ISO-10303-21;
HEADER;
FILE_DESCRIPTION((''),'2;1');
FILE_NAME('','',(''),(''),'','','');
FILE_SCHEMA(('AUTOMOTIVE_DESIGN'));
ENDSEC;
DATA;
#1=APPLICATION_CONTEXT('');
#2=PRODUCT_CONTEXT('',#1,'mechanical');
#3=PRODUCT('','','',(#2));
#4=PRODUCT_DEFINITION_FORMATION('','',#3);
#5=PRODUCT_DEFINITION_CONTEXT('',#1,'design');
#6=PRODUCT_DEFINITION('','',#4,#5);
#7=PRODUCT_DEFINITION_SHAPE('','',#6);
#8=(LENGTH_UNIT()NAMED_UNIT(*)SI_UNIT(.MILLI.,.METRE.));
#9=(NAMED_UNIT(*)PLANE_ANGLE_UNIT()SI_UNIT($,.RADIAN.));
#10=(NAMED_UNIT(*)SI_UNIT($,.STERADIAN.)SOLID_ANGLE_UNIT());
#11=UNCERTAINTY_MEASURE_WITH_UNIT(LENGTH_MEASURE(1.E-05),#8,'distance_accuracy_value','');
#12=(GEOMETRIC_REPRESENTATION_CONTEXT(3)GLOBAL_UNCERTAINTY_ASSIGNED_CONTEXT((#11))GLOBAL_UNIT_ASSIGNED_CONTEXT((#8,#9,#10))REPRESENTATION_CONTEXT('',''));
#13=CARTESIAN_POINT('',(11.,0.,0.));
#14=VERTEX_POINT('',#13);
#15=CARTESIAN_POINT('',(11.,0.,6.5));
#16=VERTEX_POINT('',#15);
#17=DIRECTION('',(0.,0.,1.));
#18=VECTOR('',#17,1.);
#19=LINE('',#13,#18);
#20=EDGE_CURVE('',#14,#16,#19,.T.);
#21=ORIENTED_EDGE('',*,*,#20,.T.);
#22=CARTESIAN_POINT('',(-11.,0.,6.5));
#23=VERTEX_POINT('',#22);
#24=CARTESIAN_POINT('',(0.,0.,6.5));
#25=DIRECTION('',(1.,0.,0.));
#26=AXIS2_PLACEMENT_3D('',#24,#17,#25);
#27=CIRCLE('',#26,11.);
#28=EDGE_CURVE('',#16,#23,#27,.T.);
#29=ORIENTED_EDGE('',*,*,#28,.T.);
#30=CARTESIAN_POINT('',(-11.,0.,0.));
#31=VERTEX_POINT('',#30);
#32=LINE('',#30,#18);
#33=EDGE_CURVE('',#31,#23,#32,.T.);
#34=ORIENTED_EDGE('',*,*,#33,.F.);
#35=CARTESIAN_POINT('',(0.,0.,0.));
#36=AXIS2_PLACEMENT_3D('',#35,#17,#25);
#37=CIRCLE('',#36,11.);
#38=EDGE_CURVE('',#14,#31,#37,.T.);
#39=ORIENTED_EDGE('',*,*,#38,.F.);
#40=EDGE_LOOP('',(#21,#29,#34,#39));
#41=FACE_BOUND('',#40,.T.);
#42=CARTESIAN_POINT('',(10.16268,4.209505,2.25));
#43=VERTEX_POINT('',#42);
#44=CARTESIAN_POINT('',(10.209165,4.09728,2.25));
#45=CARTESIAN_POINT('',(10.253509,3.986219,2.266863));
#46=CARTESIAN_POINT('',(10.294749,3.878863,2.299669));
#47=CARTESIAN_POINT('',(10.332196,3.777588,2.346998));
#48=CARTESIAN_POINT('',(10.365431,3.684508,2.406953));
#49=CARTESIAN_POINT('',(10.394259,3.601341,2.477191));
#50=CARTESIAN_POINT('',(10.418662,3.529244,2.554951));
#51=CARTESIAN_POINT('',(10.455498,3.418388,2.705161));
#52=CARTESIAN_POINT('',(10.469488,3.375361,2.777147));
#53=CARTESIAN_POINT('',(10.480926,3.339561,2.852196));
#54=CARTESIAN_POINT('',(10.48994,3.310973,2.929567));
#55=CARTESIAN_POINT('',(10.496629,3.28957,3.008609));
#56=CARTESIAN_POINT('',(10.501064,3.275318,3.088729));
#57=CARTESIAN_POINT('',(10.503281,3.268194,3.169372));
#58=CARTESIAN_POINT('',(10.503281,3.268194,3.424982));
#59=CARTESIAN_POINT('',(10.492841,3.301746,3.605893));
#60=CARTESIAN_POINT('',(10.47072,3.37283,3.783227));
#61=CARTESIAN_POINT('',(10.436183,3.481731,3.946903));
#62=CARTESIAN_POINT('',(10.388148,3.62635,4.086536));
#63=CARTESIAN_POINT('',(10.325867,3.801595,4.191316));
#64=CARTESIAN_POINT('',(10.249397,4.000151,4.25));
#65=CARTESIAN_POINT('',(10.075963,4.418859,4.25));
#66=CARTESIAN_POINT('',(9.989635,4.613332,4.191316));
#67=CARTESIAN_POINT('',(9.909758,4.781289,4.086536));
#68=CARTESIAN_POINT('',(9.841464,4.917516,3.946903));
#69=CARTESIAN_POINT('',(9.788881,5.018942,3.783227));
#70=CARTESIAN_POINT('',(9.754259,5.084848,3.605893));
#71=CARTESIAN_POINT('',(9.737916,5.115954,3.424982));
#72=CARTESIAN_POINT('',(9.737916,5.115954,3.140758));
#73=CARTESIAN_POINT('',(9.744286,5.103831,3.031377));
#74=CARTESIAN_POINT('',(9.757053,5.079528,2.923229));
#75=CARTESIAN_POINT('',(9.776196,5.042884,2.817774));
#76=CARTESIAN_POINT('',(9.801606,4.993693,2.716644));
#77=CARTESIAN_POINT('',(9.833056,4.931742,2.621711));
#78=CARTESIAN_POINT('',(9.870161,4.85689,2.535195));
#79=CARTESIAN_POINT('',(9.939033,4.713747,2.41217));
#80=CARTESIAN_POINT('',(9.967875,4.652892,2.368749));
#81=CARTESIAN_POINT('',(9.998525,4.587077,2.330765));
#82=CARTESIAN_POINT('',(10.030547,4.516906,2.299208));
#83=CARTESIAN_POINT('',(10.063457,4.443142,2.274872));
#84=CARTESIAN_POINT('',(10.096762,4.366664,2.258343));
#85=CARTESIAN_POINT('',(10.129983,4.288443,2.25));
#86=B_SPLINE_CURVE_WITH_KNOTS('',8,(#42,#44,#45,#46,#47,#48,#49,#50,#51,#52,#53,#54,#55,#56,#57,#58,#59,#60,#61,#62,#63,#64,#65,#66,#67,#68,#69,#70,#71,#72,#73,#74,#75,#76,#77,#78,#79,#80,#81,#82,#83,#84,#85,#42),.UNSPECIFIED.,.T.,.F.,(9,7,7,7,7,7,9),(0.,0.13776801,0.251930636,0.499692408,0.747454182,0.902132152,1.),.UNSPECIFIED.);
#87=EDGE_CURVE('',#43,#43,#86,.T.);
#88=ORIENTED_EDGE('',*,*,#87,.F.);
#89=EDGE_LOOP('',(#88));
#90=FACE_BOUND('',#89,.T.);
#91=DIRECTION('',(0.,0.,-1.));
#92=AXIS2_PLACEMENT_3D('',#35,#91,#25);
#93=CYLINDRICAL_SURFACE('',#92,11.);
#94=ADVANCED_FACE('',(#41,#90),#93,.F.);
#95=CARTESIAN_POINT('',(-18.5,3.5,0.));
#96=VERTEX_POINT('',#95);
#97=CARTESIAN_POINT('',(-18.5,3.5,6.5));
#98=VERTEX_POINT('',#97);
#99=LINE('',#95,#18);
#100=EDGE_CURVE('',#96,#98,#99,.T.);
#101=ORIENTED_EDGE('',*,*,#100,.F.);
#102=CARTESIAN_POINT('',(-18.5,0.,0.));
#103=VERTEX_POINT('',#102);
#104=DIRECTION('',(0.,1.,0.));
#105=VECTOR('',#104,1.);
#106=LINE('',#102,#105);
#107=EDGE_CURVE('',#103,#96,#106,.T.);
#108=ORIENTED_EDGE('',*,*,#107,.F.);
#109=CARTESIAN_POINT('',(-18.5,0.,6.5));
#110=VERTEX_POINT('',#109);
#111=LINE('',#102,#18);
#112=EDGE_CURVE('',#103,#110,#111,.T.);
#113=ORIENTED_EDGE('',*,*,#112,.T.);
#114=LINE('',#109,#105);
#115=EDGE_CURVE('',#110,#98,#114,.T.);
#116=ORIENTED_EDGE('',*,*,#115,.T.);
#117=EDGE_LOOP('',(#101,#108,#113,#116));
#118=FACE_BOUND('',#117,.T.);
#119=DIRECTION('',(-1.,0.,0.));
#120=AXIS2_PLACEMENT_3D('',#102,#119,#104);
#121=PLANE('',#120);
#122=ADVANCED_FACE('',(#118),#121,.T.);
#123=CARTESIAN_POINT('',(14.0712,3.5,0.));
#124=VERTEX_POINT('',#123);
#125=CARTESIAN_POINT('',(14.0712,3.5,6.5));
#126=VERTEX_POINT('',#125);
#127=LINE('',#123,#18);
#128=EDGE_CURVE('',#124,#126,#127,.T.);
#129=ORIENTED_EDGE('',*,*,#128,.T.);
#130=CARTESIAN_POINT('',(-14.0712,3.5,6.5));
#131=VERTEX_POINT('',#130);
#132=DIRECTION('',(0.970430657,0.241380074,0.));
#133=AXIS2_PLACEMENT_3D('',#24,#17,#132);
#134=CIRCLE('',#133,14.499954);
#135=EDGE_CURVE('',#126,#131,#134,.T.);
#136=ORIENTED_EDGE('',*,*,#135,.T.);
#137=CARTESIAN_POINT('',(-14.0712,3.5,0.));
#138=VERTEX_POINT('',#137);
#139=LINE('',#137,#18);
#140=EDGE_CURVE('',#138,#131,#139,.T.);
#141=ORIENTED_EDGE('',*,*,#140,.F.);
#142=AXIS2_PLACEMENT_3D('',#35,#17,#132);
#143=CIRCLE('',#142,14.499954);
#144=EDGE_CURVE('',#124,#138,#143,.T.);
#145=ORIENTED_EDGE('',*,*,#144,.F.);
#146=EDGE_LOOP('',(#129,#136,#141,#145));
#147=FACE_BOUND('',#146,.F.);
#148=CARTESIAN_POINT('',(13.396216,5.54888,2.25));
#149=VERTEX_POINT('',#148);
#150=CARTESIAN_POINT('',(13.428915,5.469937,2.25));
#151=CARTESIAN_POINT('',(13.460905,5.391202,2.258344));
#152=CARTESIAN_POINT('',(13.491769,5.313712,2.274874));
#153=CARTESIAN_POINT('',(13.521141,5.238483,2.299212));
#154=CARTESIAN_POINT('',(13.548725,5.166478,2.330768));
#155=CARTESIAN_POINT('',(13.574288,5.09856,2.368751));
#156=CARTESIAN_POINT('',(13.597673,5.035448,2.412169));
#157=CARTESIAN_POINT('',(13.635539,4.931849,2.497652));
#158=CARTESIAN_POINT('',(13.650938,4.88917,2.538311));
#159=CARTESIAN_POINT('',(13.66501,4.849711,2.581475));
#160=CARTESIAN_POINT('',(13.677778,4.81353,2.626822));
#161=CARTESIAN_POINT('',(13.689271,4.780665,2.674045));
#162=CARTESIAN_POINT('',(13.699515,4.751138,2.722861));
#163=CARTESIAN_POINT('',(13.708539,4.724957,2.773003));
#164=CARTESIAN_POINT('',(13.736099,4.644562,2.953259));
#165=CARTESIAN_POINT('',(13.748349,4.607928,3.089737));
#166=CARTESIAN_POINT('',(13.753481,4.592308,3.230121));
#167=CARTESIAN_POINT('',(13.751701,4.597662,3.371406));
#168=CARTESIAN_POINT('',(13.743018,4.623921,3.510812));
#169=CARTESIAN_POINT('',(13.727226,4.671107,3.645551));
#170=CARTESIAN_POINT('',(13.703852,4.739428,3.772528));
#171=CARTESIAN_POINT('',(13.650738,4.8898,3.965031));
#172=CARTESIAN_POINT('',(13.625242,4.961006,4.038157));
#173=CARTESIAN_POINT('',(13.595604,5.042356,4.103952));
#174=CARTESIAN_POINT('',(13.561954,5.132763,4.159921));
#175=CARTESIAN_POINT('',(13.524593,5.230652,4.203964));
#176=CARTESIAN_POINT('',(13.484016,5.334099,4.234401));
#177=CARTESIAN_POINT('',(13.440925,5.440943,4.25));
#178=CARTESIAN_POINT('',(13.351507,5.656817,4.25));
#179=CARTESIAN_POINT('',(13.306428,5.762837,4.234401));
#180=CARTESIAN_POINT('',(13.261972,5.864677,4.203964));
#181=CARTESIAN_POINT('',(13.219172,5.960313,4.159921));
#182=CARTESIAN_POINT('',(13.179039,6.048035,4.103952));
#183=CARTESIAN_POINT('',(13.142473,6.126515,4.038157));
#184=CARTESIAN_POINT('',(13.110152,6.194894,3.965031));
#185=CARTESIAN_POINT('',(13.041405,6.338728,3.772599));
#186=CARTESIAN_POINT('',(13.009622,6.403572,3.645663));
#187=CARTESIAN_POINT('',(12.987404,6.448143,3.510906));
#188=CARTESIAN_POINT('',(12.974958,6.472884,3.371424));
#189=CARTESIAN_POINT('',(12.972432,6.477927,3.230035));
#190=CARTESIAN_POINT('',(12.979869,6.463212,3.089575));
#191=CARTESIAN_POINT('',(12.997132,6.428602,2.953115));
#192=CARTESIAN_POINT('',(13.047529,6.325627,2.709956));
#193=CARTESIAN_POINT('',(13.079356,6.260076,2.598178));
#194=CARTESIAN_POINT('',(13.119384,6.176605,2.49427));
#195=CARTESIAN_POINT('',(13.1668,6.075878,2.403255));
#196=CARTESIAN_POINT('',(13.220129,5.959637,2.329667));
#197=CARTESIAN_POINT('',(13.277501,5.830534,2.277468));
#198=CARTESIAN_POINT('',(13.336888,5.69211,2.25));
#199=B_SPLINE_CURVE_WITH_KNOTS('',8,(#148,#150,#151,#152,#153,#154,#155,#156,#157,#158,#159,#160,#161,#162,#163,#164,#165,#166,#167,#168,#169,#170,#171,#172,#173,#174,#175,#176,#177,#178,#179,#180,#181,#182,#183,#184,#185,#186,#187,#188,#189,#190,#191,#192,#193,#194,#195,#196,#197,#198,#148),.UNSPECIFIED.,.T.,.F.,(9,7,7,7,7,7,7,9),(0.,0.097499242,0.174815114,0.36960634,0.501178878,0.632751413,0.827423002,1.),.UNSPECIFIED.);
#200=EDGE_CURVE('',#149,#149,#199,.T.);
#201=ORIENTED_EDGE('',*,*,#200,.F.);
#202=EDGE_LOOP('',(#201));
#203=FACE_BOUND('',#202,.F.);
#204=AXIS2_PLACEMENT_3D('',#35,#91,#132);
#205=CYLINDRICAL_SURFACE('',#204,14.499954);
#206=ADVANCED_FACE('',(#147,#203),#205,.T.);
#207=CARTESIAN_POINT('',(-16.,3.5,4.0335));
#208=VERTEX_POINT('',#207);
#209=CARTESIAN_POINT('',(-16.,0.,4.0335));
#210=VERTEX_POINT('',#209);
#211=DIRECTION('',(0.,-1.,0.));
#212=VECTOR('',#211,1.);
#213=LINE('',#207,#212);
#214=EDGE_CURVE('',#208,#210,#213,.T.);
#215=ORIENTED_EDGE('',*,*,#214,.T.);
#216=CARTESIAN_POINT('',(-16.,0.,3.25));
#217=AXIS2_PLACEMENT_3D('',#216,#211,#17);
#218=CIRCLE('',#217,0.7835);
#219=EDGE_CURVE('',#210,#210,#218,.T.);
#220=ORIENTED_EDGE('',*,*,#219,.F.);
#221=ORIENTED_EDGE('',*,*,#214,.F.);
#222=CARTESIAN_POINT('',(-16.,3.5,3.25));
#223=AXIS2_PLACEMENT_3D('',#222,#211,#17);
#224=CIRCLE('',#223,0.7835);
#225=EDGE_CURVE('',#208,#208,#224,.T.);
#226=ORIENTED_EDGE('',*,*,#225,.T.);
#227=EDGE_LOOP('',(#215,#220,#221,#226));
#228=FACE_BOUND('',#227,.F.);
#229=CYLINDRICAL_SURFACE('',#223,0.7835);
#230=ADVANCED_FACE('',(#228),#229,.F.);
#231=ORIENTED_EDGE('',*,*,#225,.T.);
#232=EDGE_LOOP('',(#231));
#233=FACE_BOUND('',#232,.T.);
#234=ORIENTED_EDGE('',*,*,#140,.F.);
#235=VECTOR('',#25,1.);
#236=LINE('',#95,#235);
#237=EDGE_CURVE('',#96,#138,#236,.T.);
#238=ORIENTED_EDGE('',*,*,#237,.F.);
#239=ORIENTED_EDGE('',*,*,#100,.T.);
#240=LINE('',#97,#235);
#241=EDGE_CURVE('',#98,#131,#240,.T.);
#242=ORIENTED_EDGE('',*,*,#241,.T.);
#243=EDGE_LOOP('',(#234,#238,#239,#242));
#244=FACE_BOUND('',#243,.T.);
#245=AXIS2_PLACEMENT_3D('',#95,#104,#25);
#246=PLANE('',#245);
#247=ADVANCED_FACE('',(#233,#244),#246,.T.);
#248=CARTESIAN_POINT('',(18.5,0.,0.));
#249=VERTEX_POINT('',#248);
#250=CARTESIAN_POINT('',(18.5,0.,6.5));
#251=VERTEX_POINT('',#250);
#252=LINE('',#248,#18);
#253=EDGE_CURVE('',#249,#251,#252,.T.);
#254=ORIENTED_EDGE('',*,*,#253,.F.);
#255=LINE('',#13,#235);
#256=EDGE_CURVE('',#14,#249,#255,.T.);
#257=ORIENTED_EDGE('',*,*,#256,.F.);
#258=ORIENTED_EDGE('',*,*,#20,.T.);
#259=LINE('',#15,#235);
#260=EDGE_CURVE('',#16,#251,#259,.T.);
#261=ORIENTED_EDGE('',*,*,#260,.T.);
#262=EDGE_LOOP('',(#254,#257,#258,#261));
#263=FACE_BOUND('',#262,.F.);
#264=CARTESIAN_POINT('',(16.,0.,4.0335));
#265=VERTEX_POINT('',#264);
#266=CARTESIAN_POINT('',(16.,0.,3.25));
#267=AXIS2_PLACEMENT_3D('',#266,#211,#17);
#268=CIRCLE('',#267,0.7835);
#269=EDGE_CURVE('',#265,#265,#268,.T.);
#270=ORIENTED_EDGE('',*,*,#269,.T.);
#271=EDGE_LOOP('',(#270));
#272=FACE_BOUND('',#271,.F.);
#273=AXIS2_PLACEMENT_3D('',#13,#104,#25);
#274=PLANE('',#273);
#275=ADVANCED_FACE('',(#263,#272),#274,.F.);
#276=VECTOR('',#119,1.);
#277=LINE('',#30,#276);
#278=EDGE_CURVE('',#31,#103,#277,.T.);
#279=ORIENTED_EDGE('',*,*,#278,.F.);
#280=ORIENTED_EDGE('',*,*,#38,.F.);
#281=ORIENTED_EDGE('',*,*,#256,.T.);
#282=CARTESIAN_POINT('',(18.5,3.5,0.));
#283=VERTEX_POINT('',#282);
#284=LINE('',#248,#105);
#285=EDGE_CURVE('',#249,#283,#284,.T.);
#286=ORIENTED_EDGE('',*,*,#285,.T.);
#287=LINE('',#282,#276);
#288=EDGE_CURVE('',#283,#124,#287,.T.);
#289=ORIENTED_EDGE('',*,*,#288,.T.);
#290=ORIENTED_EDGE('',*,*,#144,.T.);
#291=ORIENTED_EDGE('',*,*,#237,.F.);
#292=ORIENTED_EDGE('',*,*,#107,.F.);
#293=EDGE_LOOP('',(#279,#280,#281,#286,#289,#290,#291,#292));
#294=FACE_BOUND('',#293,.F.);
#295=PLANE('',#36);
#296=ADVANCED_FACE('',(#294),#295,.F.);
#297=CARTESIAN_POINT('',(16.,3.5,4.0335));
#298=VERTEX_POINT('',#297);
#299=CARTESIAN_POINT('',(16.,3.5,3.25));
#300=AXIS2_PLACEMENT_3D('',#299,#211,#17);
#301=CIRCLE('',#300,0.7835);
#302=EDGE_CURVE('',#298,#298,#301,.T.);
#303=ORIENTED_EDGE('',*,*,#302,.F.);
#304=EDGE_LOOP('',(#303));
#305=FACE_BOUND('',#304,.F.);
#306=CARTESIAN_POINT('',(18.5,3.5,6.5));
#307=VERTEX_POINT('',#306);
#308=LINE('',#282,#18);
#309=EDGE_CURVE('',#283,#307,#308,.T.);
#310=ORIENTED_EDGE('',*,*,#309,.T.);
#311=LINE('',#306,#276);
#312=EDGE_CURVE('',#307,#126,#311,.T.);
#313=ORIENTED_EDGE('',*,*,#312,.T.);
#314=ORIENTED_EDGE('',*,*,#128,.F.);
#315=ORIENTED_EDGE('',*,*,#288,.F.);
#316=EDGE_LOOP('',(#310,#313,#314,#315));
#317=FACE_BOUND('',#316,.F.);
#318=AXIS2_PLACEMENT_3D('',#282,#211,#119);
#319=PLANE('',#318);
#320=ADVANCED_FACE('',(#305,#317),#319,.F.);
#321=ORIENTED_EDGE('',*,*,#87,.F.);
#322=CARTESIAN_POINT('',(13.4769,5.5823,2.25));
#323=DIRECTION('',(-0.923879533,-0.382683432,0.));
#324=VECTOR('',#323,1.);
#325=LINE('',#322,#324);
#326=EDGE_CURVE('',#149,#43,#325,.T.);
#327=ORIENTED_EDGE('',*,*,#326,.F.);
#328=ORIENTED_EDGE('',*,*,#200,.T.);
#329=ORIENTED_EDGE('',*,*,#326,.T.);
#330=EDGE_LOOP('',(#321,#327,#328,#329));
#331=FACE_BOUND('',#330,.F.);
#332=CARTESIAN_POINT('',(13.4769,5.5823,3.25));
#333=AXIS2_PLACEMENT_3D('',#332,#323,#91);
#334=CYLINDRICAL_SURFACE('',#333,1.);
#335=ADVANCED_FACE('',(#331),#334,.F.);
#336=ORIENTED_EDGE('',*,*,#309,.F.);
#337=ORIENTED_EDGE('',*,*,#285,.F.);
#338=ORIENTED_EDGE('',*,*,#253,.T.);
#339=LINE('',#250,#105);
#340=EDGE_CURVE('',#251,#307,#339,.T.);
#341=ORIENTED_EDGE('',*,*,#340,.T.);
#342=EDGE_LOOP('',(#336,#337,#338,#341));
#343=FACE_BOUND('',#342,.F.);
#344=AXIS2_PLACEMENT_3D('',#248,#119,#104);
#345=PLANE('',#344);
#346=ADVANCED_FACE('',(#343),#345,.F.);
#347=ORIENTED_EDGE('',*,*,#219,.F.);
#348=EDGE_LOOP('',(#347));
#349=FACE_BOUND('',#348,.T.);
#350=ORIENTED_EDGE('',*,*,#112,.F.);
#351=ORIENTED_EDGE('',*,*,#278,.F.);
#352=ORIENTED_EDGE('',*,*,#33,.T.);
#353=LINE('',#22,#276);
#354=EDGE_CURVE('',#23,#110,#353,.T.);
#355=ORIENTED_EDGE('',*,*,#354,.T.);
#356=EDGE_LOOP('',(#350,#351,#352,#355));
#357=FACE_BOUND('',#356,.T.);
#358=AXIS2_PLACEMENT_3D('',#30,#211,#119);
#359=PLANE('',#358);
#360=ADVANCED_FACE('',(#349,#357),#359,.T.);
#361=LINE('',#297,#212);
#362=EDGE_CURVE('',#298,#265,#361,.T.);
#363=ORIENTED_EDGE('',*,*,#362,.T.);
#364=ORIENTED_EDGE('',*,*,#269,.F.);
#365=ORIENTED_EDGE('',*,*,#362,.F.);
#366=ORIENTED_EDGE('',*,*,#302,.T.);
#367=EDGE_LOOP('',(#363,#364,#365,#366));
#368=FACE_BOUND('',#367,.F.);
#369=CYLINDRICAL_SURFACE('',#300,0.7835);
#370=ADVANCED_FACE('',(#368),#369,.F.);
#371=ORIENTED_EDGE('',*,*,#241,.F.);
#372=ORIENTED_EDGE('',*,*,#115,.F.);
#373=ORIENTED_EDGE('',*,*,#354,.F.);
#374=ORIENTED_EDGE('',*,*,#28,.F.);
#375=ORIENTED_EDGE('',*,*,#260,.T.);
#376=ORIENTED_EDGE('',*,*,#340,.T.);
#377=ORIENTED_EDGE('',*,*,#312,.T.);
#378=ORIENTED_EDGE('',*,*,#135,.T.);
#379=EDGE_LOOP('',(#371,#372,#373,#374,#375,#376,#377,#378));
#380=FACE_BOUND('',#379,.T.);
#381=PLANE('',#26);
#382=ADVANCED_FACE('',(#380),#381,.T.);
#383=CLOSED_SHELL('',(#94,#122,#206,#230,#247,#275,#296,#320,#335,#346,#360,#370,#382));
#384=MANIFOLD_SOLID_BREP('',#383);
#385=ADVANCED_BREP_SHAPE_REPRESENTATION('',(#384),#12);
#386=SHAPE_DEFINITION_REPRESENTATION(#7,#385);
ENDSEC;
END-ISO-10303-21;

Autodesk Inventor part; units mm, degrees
ref_plane "YZ Plane" through (0, 0, 0) normal (1, 0, 0) x (0, 1, 0)
ref_plane "XZ Plane" through (0, 0, 0) normal (0, 1, 0) x (-1, 0, 0)
sketch "Sketch1" plane through (0, 0, 0) normal (0, 0, 1) x (1, 0, 0)
  arc A0 (11, 0) -> (-11, 0) centre (0, 0) ccw
  arc A1 (14.0712, 3.5) -> (-14.0712, 3.5) centre (0, 0) ccw
  line L0 (-11, 0) -> (-18.5, 0)
  line L1 (-18.5, 0) -> (-18.5, 3.5)
  line L2 (11, 0) -> (18.5, 0)
  line L3 (18.5, 0) -> (18.5, 3.5)
  line L4 (-18.5, 3.5) -> (-14.0712, 3.5)
  line L5 (18.5, 3.5) -> (14.0712, 3.5)
  dimension "d2" = 11
  dimension "d3" = 14.5
  dimension "d4" = 7.5
  dimension "d5" = 3.5
  dimension "d6" = 18.5
extrude "Extrusion1" add sketch "Sketch1" along normal blind 6.5
sketch "Sketch2" plane through (0, 0, 6.5) normal (0, 0, 1) x (1, 0, 0)
  line L0 (-18.5, 3.5) -> (-18.5, 0) projected
  line L1 (-18.5, 0) -> (-11, 0) projected
  arc A0 (11, 0) -> (-11, 0) centre (0, 0) ccw projected
  line L2 (11, 0) -> (18.5, 0) projected
  line L3 (18.5, 0) -> (18.5, 3.5) projected
  line L4 (18.5, 3.5) -> (14.0712, 3.5) projected
  arc A1 (14.0712, 3.5) -> (-14.0712, 3.5) centre (0, 0) ccw projected
  line L5 (3.5, 14.0712) -> (3.5, 16.0712) projected
  line L6 (3.5, 16.0712) -> (-3.5, 16.0712) projected
  line L7 (-3.5, 16.0712) -> (-3.5, 14.0712) projected
  arc A2 (14.0712, 3.5) -> (-14.0712, 3.5) centre (0, 0) ccw projected
  line L8 (-14.0712, 3.5) -> (-18.5, 3.5) projected
  line L9 (0, 0) -> (18.5, 0)
  line L10 (0, 0) -> (23.4857, 9.7281)
  dimension "d11" = 22.5
ref_plane "Work Plane2" through (11.866, 9.4714, 3.25) normal (0.9239, 0.3827, 0) x (-0.3827, 0.9239, 0)
ref_plane "Work Plane1" through (-11, 0, 3.25) normal (0.9239, 0.3827, 0) x (-0.3827, 0.9239, 0)
sketch "Sketch3" plane through (11.866, 9.4714, 3.25) normal (0.9239, 0.3827, 0) x (-0.3827, 0.9239, 0)
  line L0 (-4.2095, 3.25) -> (-11.2892, 3.25) projected
  line L1 (-6.3608, -3.25) -> (4.4089, -3.25) projected
  line L2 (-6.3608, 3.25) -> (4.4089, 3.25) projected
  line L3 (-6.3608, -3.25) -> (-6.3608, 3.25) projected
  line L4 (-11.2892, -3.25) -> (-8.0556, -3.25) projected
  line L5 (-8.0556, -3.25) -> (-8.0556, 3.25) projected
  line L6 (-11.2892, 3.25) -> (-8.0556, 3.25) projected
  line L7 (-11.2892, -3.25) -> (-11.2892, 3.25) projected
  line L8 (-8.0556, -3.25) -> (-6.3608, -3.25) projected
  line L9 (-6.3608, -3.25) -> (-6.3608, 3.25) projected
  line L10 (-8.0556, 3.25) -> (-6.3608, 3.25) projected
  line L11 (-8.0556, -3.25) -> (-8.0556, 3.25) projected
  line L12 (4.4089, -3.25) -> (4.4089, 3.25) projected
  point P0 (-4.2095, -3.25)
  point P1 (-4.2095, 0)
  point P2 (-4.2095, 3.25)
  dimension "d13" = 3.25
hole "Hole1" at (13.4769, 5.5823, 3.25) direction (-0.9239, -0.3827, 0) diameter 2 end through all
sketch "Sketch5" plane through (-18.5, 3.5, 0) normal (0, 1, 0) x (1, 0, 0)
  line L0 (4.4288, 0) -> (0, 0) projected
  line L1 (0, 0) -> (0, -6.5) projected
  line L2 (37, 0) -> (37, -6.5) projected
  line L3 (37, 0) -> (32.5712, 0) projected
  point P0 (18.5, 0)
  point P1 (2.5, -3.25)
  point P2 (34.5, -3.25)
  point P3 (0, -3.25)
  dimension "d31" = 2.5
  dimension "d32" = 2.5
  dimension "d33" = 3.25
  dimension "d34" = 3.25
hole "Hole3" at (-16, 3.5, 3.25) at (16, 3.5, 3.25) direction (0, -1, 0) diameter 1.567 end through all thread size "M2x0.4" class "6H" standard "ANSI Metric M Profile"
properties part number "29 - Sheave Strap 1" material "Steel AISI 1020 107 HR"
